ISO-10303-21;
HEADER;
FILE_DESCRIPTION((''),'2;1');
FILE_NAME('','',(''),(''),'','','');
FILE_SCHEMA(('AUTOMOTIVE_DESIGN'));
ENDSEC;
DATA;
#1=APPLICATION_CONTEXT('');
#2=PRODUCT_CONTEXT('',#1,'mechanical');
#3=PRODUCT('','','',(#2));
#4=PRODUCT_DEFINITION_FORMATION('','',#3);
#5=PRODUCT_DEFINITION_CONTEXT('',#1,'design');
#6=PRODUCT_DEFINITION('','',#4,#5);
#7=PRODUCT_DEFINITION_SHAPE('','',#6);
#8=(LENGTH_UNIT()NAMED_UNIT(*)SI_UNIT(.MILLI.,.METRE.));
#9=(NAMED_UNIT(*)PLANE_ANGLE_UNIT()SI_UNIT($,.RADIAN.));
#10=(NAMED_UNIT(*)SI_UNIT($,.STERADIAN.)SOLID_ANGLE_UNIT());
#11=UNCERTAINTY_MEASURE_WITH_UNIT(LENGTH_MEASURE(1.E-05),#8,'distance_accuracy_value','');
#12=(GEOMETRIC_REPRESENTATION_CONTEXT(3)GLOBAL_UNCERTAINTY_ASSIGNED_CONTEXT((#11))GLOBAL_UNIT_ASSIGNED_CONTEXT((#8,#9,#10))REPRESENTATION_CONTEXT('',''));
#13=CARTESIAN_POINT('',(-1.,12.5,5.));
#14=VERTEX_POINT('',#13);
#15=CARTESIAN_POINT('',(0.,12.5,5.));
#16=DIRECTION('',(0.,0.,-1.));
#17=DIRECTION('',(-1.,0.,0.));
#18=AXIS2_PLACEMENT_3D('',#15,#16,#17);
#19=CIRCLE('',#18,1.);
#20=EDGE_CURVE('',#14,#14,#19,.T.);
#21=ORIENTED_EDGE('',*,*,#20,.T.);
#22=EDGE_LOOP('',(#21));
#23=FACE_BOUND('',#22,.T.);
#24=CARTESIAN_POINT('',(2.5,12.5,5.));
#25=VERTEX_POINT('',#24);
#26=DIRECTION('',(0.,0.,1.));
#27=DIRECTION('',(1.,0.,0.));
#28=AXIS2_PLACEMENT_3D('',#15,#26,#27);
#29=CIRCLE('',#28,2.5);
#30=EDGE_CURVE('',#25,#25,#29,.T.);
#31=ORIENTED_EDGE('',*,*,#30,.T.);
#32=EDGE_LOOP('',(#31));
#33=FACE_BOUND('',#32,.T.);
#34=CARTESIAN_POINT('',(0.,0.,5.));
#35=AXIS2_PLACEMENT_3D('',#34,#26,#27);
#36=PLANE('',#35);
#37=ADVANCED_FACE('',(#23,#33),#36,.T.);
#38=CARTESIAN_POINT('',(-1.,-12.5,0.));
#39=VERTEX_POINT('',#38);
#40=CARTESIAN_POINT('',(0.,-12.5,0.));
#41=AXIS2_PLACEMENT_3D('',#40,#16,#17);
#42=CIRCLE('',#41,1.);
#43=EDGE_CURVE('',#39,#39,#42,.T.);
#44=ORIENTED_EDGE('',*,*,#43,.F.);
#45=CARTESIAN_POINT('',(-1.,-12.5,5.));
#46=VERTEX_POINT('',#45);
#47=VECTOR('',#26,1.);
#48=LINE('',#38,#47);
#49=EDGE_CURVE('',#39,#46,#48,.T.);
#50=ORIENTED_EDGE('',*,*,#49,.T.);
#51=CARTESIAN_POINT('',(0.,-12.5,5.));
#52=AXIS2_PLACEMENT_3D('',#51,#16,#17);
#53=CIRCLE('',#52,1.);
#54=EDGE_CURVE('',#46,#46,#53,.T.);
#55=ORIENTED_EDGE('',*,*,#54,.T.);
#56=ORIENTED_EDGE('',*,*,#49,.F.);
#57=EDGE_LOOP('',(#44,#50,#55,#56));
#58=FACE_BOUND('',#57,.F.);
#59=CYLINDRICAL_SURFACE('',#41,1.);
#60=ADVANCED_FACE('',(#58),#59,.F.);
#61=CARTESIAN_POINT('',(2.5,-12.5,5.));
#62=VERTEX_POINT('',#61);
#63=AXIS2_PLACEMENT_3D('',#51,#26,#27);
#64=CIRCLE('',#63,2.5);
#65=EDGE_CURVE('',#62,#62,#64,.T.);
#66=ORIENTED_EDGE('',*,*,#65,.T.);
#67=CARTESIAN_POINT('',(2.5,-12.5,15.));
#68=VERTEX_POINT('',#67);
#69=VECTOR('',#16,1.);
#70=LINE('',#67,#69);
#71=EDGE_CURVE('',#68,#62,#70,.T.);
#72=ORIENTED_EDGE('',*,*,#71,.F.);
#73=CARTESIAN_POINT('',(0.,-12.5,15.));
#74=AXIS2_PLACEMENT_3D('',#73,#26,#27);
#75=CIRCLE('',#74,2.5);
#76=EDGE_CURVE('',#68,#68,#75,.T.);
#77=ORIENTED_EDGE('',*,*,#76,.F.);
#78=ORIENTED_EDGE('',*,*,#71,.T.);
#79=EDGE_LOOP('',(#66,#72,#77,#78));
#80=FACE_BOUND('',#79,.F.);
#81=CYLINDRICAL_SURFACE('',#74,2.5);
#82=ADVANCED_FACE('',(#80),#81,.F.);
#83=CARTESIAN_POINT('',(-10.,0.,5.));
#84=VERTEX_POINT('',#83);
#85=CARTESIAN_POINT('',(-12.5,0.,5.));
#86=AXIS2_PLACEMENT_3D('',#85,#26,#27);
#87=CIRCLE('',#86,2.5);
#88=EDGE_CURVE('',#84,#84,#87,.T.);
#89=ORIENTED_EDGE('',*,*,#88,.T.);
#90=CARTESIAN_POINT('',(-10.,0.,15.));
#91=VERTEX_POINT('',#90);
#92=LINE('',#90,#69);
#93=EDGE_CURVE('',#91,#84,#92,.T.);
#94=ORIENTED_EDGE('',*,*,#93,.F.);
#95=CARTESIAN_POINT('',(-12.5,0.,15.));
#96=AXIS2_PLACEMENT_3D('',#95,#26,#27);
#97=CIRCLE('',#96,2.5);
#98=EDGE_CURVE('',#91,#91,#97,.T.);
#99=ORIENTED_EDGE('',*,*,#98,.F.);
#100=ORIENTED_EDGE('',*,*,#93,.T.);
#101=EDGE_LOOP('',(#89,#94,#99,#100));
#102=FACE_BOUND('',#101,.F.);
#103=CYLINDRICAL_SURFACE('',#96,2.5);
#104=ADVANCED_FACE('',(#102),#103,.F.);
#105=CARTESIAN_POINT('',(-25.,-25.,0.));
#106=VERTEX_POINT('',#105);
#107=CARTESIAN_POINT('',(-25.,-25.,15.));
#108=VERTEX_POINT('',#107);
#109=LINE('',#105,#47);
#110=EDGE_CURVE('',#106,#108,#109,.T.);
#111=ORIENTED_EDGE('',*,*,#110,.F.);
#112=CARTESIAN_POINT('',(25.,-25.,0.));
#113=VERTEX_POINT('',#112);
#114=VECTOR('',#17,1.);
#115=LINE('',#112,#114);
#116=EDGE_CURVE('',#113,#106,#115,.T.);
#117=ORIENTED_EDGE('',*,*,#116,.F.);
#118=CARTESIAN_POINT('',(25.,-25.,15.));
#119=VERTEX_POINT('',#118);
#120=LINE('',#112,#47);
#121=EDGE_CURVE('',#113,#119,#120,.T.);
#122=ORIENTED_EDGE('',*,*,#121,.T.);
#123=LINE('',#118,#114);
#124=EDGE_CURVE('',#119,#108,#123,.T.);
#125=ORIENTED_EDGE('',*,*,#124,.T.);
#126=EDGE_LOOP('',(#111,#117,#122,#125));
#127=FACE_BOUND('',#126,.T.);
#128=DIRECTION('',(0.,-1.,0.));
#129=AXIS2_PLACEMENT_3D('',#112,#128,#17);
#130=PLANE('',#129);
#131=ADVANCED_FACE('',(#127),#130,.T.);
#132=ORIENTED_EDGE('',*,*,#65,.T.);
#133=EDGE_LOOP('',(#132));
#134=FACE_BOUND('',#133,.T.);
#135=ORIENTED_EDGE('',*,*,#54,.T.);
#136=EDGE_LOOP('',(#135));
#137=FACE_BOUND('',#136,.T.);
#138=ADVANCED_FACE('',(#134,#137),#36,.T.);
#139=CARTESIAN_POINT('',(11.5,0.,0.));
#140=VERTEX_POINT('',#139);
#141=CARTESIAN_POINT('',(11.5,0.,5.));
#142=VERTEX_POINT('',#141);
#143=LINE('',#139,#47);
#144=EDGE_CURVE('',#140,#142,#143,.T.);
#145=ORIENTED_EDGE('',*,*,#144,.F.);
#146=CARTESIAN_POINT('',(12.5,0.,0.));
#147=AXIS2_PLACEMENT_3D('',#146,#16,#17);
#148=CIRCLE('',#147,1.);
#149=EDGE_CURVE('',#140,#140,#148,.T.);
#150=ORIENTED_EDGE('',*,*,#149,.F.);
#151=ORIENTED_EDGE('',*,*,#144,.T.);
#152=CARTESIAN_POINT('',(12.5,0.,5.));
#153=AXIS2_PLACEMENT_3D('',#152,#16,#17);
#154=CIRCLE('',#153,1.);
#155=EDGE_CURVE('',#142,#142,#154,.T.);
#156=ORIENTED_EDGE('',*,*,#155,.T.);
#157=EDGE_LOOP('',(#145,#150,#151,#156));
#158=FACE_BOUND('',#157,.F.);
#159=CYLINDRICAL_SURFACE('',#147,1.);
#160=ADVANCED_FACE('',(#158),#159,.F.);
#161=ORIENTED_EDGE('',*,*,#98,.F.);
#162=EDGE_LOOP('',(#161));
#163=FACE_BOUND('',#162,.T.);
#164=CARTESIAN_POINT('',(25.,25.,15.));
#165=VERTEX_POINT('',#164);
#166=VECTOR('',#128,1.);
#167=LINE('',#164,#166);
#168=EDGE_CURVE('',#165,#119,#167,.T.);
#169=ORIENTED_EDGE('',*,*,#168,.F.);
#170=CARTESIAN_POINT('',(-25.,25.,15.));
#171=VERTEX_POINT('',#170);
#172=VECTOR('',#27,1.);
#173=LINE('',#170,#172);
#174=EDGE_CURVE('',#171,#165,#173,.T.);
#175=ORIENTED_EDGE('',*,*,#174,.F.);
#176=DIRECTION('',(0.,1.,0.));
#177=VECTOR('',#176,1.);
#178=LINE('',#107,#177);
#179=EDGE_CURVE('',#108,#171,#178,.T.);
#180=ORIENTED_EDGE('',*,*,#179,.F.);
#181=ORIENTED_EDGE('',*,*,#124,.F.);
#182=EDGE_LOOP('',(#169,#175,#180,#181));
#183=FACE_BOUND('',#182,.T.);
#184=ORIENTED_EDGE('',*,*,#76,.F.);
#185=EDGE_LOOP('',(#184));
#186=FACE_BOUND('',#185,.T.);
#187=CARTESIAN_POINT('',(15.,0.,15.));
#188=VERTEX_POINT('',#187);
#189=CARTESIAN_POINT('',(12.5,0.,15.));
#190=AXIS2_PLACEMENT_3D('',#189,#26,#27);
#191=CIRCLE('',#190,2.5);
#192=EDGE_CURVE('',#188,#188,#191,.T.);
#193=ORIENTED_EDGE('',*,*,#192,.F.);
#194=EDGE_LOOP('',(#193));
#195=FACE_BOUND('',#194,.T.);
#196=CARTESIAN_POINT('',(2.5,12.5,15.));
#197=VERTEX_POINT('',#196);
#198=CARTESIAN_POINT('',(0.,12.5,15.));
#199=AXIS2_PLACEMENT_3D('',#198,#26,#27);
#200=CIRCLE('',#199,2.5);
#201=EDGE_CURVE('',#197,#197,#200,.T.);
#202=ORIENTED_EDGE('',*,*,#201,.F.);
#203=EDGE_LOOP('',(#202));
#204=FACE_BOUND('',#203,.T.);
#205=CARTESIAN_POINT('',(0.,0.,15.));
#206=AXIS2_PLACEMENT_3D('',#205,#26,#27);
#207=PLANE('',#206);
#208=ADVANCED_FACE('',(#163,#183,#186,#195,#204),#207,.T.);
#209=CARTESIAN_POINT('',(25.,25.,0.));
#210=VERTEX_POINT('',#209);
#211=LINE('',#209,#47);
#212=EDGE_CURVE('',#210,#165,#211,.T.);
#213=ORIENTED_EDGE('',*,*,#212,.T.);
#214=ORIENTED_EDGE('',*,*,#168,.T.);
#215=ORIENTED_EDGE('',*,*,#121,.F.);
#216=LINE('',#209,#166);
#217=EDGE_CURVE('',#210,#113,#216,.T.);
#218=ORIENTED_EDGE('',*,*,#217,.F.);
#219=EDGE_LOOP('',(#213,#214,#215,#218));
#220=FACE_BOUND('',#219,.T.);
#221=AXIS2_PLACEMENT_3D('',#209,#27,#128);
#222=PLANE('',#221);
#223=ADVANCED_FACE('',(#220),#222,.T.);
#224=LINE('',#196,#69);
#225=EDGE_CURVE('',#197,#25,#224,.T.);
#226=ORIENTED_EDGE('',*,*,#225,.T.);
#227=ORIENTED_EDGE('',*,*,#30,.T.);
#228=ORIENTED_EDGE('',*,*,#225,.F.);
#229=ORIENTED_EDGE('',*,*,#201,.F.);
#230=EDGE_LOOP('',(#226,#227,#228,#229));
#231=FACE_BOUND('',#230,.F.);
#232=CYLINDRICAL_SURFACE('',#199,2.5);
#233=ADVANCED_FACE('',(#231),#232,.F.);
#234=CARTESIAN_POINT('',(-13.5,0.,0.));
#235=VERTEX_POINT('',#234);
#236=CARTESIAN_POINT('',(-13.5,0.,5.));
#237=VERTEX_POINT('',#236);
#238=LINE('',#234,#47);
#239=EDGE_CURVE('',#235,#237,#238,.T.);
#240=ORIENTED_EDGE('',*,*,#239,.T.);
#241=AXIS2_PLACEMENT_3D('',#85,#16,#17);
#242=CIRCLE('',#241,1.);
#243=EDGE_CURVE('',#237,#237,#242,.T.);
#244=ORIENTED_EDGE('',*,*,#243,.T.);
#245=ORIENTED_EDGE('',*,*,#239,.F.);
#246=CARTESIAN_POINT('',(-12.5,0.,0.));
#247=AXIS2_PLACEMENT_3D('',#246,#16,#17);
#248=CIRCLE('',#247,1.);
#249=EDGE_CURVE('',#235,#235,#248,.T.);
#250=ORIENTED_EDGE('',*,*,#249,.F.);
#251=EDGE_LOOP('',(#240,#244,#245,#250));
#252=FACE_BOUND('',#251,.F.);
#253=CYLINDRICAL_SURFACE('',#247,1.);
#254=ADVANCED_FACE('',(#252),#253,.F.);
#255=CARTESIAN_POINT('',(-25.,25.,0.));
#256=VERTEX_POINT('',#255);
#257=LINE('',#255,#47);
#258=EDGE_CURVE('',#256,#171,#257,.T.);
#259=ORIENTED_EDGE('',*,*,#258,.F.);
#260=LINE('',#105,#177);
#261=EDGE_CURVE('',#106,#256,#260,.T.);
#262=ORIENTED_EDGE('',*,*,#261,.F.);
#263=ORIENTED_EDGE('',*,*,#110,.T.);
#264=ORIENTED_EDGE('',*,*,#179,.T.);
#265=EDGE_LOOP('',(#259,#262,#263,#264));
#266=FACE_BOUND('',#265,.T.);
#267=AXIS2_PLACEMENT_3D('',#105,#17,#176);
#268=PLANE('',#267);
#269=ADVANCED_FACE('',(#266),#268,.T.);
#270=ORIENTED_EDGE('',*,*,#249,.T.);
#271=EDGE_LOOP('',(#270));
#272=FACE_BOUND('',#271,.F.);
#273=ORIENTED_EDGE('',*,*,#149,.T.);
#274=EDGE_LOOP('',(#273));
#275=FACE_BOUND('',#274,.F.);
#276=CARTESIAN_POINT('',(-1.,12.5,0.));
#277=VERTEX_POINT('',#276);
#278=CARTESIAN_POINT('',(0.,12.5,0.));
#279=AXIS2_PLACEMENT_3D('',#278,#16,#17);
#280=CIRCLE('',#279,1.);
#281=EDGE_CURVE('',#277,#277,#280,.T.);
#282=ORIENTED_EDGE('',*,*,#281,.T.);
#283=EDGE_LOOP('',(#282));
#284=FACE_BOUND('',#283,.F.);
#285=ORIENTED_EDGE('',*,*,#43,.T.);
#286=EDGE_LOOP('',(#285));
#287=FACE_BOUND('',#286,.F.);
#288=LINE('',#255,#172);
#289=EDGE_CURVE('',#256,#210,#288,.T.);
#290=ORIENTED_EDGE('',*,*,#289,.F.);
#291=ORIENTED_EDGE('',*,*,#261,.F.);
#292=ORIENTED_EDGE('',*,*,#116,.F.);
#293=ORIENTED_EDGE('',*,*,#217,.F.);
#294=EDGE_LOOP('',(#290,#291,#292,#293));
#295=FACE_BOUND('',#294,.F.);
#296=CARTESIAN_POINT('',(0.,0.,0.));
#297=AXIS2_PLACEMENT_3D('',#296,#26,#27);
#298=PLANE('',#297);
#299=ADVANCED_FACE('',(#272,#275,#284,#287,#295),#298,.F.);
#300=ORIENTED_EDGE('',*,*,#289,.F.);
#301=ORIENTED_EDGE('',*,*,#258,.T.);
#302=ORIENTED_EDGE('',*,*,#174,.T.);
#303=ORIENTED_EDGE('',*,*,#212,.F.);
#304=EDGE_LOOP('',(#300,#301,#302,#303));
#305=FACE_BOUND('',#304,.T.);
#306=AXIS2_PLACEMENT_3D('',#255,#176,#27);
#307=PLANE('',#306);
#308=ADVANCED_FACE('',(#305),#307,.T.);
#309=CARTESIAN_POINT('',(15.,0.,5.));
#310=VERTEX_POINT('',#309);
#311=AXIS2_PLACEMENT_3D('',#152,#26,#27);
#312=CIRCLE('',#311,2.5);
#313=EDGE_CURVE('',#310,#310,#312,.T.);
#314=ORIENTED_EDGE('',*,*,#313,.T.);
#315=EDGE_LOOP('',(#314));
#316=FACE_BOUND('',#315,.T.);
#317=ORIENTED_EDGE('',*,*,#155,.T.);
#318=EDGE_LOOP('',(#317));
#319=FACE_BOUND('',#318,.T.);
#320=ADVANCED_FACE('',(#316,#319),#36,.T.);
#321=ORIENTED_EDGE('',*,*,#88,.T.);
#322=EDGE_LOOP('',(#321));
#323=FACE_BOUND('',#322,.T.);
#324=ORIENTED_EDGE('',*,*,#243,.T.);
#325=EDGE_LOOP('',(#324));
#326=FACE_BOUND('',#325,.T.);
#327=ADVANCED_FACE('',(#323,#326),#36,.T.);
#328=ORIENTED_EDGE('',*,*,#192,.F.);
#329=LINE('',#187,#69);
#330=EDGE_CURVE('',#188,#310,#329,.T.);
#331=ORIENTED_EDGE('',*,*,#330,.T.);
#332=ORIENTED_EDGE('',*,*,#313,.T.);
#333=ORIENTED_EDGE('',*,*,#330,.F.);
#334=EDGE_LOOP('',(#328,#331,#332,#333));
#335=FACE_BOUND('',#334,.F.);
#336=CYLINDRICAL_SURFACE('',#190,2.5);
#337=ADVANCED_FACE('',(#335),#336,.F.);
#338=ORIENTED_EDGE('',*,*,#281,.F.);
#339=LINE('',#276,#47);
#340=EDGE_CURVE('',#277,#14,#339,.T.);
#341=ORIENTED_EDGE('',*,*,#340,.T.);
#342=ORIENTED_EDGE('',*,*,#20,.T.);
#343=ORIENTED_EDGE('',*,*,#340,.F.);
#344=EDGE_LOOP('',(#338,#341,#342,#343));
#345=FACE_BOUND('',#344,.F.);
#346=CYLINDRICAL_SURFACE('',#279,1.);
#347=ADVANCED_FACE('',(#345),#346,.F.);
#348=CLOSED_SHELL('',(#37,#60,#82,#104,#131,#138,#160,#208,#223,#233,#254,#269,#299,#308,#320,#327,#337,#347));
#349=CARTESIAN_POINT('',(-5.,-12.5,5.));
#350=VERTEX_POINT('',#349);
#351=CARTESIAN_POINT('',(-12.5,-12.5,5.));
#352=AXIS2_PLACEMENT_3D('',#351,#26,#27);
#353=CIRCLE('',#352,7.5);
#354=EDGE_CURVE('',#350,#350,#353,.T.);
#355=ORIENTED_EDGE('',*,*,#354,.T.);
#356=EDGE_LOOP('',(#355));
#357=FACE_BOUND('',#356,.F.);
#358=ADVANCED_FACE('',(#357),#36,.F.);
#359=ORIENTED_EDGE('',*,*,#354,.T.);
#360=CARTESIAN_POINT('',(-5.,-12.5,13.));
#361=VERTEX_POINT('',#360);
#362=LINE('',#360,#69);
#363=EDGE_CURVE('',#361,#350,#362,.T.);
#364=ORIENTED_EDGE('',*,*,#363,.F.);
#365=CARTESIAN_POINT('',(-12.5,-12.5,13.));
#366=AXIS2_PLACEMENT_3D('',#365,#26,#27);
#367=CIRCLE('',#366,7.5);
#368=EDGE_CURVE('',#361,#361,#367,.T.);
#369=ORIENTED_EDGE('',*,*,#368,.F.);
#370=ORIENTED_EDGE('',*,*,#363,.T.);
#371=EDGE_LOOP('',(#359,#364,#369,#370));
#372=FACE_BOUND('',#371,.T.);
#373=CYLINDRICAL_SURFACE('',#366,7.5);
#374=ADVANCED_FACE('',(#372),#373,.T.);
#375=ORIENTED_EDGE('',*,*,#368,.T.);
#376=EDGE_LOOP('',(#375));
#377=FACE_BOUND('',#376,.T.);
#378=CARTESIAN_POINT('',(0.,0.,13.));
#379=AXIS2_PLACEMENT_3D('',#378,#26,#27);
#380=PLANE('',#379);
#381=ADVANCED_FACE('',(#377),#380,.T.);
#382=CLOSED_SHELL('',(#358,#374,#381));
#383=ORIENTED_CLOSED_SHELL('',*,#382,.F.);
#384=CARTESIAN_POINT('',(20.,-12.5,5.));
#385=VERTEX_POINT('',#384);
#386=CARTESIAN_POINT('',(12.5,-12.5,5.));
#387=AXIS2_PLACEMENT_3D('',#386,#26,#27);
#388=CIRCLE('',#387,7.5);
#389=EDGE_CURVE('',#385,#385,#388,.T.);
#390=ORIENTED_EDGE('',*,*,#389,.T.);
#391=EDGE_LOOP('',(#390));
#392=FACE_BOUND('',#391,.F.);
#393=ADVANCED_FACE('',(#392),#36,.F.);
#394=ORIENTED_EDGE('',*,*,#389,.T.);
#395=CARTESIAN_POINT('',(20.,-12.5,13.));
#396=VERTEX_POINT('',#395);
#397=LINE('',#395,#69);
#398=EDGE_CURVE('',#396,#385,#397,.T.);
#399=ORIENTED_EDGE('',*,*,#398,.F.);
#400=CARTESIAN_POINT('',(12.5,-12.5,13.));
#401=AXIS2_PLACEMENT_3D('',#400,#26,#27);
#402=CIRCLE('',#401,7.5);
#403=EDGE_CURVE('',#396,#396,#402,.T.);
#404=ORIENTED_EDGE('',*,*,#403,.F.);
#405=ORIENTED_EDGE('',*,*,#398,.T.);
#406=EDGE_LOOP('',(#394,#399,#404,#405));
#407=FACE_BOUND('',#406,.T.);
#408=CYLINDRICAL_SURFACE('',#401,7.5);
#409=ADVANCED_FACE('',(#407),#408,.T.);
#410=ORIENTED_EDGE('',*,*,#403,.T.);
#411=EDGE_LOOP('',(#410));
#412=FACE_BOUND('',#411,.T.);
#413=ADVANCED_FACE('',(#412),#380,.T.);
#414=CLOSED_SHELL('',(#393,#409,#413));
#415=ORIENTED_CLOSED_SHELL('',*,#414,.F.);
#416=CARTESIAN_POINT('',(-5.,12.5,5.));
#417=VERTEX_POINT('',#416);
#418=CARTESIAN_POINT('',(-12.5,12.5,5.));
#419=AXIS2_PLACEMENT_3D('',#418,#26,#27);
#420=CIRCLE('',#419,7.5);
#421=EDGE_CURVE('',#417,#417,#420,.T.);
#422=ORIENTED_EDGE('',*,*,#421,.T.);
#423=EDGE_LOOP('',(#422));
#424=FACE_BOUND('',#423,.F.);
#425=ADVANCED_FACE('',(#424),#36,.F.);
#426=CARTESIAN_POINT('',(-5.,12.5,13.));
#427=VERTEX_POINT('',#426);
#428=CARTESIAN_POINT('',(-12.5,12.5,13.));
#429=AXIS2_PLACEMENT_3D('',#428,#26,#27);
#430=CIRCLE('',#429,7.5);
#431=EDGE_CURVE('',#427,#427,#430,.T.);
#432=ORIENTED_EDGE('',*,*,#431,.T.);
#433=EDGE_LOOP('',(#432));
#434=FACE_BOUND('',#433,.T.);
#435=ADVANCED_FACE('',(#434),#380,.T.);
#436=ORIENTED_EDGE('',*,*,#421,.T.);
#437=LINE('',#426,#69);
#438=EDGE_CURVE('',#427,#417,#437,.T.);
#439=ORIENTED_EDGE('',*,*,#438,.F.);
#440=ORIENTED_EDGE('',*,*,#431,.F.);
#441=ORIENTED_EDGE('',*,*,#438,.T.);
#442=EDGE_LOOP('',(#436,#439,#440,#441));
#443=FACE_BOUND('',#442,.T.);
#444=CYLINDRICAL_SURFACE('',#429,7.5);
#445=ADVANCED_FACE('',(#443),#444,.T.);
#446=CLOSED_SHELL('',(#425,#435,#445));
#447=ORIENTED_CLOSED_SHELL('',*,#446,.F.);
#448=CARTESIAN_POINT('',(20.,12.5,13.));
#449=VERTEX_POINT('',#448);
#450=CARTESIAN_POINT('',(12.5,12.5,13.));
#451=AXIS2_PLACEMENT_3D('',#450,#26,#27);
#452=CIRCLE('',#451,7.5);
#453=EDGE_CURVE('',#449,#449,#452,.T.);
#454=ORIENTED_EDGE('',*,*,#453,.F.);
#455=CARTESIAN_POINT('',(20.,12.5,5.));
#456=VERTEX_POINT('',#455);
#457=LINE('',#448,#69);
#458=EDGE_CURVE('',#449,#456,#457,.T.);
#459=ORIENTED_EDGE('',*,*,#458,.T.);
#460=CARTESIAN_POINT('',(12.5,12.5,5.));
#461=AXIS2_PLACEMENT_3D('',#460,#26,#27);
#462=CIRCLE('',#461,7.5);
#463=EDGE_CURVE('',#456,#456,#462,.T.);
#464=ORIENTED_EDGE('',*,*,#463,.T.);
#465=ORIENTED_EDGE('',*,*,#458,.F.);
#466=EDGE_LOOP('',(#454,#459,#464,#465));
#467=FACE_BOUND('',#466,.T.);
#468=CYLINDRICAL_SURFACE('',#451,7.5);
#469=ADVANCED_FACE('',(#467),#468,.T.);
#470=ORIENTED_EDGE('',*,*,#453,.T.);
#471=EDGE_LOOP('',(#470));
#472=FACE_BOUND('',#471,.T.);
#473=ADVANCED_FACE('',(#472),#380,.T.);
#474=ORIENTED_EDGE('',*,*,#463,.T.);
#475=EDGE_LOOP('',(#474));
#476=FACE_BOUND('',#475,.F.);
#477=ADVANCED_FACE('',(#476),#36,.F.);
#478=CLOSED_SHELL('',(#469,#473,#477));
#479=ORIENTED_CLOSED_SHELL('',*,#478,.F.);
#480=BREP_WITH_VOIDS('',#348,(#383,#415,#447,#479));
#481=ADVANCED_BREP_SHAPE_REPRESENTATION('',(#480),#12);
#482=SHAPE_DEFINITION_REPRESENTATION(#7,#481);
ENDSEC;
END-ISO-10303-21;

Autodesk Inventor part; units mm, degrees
ref_plane "YZ Plane" through (0, 0, 0) normal (1, 0, 0) x (0, 1, 0)
ref_plane "XZ Plane" through (0, 0, 0) normal (0, 1, 0) x (-1, 0, 0)
ref_plane "XY Plane" through (0, 0, 0) normal (0, 0, 1) x (1, 0, 0)
sketch "Skizze1" plane through (0, 0, 0) normal (0, 0, 1) x (1, 0, 0)
  line L0 (-25, 25) -> (25, 25)
  line L1 (25, 25) -> (25, -25)
  line L2 (25, -25) -> (-25, -25)
  line L3 (-25, -25) -> (-25, 25)
  point P0 (0, 0)
  point P1 (25, 0)
  point P2 (0, 25)
  dimension "d0" = 50
  dimension "d1" = 50
extrude "Extrusion1" add sketch "Skizze1" along normal blind 15
ref_plane "Arbeitsebene1" through (0, 0, 13) normal (0, 0, 1) x (1, 0, 0)
sketch "Skizze4" plane through (0, 0, 13) normal (0, 0, 1) x (1, 0, 0)
  circle A0 centre (-12.5, -12.5) radius 7.5
  line L0 (-25, 25) -> (-25, -25) projected
  circle A1 centre (12.5, -12.5) radius 7.5
  line L1 (25, -25) -> (25, 25) projected
  line L2 (-25, -25) -> (25, -25) projected
  circle A2 centre (-12.5, 12.5) radius 7.5
  line L3 (25, 25) -> (-25, 25) projected
  circle A3 centre (12.5, 12.5) radius 7.5
  point P0 (0, 0)
  dimension "d6" = 15
  dimension "d7" = 12.5
  dimension "d8" = 15
  dimension "d9" = 12.5
  dimension "d10" = 12.5
  dimension "d11" = 12.5
  dimension "d12" = 15
  dimension "d13" = 12.5
  dimension "d14" = 12.5
  dimension "d15" = 15
extrude "Extrusion2" cut sketch "Skizze4" against normal blind 8 contours A0 | A1 | A2 | A3
sketch "Skizze6" plane through (0, 0, 15) normal (0, 0, 1) x (1, 0, 0)
  circle A0 centre (-12.5, 0) radius 2.5
  circle A1 centre (0, 12.5) radius 2.5
  circle A2 centre (12.5, 0) radius 2.5
  circle A3 centre (0, -12.5) radius 2.5
  line L0 (25, 25) -> (-25, 25) projected
  line L1 (-25, 25) -> (-25, -25) projected
  line L2 (25, -25) -> (25, 25) projected
  point P0 (0, 0)
  dimension "d18" = 5
  dimension "d19" = 12.5
  dimension "d20" = 25
  dimension "d21" = 5
  dimension "d22" = 12.5
  dimension "d23" = 25
  dimension "d24" = 5
  dimension "d25" = 12.5
  dimension "d26" = 25
  dimension "d27" = 5
  dimension "d28" = 12.5
  dimension "d29" = 25
extrude "Extrusion3" cut sketch "Skizze6" against normal blind 10
sketch "Skizze7" plane through (0, 0, 0) normal (0, 0, -1) x (-1, 0, 0)
  circle A0 centre (0, 12.5) radius 2.5 projected
  circle A1 centre (0, 12.5) radius 1
  circle A2 centre (0, -12.5) radius 2.5 projected
  circle A3 centre (0, -12.5) radius 1
  circle A4 centre (-12.5, 0) radius 2.5 projected
  circle A5 centre (-12.5, 0) radius 1
  circle A6 centre (12.5, 0) radius 2.5 projected
  circle A7 centre (12.5, 0) radius 1
  point P0 (0, 0)
  dimension "d32" = 2
  dimension "d33" = 2
  dimension "d34" = 2
  dimension "d35" = 2
extrude "Extrusion4" cut sketch "Skizze7" against normal blind 10 contours A1 | A3 | A5 | A7
properties part number "TestBauteil"
